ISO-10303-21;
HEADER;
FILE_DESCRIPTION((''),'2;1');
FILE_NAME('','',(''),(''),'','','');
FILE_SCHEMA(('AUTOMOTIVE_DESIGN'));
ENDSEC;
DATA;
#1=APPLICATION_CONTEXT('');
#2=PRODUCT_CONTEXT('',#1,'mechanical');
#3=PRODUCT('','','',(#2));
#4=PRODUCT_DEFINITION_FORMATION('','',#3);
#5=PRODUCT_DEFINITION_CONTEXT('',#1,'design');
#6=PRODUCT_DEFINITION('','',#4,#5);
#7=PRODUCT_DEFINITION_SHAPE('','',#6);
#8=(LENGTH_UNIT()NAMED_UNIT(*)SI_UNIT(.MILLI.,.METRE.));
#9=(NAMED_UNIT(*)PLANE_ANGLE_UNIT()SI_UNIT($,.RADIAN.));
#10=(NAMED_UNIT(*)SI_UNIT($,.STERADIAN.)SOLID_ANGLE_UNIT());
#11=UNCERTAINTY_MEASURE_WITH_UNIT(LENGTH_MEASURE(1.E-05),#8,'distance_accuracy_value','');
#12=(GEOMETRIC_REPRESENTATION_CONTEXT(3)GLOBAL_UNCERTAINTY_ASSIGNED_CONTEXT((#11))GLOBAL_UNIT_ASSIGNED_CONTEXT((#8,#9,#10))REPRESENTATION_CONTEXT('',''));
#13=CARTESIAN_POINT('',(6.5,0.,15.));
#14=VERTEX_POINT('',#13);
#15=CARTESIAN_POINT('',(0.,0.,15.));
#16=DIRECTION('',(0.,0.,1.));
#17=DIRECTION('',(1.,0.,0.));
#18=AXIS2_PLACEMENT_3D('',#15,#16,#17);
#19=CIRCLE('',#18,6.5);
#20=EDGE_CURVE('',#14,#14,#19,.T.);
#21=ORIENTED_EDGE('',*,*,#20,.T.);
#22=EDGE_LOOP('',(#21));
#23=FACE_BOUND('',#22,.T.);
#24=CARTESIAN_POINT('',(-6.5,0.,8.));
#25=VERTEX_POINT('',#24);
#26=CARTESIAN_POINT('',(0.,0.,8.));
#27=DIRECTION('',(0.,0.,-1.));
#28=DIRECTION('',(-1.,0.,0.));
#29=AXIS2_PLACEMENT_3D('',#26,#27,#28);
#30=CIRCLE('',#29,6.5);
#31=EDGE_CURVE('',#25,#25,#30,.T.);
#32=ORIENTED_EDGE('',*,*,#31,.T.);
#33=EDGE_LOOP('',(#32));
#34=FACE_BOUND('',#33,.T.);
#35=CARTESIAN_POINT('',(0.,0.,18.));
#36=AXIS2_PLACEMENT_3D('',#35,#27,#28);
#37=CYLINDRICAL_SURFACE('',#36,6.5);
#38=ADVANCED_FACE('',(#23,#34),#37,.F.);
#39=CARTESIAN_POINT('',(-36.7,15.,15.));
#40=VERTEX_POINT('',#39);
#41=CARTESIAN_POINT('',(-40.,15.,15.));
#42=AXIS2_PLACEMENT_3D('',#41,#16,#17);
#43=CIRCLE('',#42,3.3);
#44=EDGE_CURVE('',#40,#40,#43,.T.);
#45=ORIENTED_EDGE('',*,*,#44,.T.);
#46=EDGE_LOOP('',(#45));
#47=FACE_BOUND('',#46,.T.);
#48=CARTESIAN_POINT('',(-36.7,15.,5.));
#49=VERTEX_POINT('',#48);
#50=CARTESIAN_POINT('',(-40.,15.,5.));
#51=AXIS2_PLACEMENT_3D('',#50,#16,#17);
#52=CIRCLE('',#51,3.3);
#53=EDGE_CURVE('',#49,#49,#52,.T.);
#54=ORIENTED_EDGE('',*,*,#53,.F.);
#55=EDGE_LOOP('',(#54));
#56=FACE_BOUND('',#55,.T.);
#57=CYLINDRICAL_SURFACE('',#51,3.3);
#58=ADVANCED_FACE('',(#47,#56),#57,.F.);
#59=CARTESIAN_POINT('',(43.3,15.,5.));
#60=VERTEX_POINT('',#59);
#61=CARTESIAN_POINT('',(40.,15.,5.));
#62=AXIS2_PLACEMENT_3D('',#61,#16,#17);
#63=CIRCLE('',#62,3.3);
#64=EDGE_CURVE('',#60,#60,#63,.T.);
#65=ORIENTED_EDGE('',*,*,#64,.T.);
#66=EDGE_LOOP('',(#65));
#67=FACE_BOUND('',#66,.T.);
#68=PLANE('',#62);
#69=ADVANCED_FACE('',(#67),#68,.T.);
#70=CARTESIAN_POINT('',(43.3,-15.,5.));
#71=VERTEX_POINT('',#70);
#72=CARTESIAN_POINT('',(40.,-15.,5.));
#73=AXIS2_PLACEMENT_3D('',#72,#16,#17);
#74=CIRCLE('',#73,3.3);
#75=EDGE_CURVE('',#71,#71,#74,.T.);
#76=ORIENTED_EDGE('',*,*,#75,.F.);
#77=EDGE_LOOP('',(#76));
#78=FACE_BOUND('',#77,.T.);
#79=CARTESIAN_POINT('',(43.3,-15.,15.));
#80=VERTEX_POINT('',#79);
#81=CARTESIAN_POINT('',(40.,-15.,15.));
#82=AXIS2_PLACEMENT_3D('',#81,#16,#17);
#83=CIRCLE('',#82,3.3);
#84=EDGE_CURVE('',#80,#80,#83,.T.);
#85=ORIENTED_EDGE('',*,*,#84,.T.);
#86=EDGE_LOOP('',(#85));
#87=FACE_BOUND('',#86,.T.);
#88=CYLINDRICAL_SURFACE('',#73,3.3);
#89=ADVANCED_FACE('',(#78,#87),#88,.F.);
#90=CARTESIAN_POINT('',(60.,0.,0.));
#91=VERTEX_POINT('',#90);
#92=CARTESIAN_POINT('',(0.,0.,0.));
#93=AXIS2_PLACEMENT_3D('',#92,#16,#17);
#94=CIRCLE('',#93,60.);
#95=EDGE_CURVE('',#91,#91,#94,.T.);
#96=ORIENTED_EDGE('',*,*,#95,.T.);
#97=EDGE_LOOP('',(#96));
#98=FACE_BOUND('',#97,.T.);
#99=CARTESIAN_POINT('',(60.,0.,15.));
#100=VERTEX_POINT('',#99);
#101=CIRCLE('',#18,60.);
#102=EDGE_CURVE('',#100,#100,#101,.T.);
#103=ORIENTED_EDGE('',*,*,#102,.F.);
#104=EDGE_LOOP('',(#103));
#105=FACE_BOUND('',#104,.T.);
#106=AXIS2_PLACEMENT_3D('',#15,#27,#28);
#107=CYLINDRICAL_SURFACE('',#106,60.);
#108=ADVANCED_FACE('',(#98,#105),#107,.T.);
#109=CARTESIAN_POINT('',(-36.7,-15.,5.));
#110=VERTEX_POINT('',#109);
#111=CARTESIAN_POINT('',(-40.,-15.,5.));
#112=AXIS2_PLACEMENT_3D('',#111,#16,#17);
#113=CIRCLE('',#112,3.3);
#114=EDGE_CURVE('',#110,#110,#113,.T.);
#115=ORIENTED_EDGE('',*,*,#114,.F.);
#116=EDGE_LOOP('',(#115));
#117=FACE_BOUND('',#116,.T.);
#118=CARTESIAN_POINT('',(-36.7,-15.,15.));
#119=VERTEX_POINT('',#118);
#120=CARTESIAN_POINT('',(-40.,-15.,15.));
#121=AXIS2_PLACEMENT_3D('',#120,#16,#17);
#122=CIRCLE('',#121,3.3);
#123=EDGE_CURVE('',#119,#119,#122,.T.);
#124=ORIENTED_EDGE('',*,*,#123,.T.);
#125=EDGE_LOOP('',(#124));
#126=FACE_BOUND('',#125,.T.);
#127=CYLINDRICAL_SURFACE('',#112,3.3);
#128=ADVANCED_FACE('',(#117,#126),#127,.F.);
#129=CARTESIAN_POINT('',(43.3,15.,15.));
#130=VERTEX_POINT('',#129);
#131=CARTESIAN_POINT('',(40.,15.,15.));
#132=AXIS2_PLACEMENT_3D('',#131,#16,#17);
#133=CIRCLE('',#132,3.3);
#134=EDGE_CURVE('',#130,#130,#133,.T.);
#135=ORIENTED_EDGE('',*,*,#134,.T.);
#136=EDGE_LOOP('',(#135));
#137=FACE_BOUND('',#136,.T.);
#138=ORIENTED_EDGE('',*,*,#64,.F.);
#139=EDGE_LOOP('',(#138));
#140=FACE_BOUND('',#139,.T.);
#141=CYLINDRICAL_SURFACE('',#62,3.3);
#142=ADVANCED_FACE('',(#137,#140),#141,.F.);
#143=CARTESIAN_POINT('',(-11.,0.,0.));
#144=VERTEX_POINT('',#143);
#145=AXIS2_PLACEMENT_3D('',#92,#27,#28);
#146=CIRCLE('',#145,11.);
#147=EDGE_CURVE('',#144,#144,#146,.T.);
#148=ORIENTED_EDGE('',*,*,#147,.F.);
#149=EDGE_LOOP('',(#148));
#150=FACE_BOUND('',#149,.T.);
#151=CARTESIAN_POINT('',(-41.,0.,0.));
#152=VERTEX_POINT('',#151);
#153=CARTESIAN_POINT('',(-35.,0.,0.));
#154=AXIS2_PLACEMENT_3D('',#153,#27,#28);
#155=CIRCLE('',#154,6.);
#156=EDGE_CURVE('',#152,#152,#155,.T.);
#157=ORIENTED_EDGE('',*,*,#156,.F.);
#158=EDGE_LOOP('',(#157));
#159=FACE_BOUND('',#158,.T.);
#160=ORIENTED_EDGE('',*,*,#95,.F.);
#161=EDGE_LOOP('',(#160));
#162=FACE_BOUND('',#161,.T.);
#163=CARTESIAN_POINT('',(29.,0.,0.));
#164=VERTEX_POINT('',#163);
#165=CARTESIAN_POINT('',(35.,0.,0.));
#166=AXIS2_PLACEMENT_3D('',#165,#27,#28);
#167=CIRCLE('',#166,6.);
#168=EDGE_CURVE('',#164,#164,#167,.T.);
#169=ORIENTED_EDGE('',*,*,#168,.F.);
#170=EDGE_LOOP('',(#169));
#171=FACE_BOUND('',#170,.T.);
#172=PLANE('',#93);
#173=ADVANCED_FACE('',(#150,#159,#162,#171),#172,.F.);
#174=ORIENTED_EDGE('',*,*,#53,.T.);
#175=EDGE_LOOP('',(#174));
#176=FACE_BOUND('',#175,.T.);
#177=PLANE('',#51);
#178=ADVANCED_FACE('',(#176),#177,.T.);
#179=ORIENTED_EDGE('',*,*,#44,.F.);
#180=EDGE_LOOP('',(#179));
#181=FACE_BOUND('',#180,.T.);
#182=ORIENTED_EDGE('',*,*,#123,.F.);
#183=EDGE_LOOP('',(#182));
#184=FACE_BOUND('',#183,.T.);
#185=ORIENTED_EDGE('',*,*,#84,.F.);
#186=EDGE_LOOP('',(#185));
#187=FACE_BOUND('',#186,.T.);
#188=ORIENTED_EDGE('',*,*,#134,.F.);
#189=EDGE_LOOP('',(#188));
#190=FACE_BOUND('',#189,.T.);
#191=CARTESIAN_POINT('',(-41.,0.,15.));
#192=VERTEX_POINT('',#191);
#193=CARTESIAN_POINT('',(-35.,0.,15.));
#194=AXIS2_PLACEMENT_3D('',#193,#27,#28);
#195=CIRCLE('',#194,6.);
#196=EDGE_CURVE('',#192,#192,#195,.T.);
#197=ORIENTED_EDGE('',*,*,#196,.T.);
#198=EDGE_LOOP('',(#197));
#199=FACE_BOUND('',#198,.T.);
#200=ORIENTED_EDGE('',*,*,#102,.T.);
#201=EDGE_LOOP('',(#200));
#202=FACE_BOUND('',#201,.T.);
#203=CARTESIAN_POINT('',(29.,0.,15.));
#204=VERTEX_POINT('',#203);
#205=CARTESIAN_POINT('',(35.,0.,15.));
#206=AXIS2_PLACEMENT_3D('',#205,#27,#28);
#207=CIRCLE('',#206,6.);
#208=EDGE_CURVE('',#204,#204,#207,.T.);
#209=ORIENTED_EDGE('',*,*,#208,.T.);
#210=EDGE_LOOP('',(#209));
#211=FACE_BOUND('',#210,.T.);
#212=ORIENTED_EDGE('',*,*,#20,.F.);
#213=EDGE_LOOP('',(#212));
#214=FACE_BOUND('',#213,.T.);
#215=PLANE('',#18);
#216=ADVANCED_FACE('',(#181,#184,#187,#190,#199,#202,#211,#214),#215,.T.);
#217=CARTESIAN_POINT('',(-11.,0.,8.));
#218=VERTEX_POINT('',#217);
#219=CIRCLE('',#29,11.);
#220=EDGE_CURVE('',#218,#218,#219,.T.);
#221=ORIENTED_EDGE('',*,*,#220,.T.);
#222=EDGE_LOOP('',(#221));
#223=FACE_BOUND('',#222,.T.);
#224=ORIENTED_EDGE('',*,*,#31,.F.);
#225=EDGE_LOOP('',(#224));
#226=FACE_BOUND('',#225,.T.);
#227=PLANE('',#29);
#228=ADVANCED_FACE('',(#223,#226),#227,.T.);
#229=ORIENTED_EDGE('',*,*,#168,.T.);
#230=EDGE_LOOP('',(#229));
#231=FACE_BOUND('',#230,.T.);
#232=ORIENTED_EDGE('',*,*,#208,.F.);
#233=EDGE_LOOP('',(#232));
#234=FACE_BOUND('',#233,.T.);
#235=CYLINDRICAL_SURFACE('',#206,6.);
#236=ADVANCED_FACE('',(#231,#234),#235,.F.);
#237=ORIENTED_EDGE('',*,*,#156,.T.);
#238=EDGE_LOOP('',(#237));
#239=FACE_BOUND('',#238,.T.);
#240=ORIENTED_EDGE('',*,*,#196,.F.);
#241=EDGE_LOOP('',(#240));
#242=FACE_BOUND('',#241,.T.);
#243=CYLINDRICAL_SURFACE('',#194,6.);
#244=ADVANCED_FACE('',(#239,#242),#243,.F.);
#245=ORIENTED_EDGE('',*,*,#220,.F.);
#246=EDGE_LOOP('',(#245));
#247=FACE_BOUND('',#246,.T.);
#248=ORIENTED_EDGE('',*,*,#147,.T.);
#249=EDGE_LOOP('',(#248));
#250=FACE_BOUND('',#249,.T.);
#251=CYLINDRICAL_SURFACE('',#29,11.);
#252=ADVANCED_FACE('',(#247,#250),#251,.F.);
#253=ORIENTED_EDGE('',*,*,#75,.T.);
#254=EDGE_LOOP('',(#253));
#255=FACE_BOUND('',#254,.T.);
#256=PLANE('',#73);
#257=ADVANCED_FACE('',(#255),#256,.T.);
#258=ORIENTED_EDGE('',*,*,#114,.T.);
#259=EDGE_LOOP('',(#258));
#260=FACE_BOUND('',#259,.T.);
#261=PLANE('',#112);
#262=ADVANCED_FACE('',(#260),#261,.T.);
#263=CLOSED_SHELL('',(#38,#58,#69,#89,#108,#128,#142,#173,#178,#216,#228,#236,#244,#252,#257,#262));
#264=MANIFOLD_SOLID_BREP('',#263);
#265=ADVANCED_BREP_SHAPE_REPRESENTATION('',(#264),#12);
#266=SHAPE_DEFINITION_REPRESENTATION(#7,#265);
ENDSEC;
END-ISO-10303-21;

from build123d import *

# Parameters (mm, degrees)
SKETCH_1_R          = 60
EXTRUDE_1_DEPTH     = 15
SKETCH_2_R          = 6
CUT_EXTRUDE_1_DEPTH = 87.168439698
SKETCH_3_R          = 11
CUT_EXTRUDE_2_DEPTH = 8
SKETCH_4_R          = 6.5
CUT_EXTRUDE_3_DEPTH = 10
SKETCH_5_R          = 3.3
CUT_EXTRUDE_4_DEPTH = 10


with BuildPart() as part:
    # 草图1 → 凸台-拉伸1 (new body)
    with BuildSketch(Plane.XY):
        Circle(SKETCH_1_R)
    extrude(amount=EXTRUDE_1_DEPTH)

    # 草图2 → 切除-拉伸1 (cut, through all)
    with BuildSketch(Plane(origin=(0, 0, 0), x_dir=(-1, 0, 0), z_dir=(0, 0, -1))):
        with Locations((-35, 0)):
            Circle(SKETCH_2_R)
        with Locations((35, 0)):
            Circle(SKETCH_2_R)
    extrude(amount=-CUT_EXTRUDE_1_DEPTH, mode=Mode.SUBTRACT)

    # 草图3 → 切除-拉伸2 (cut)
    with BuildSketch(Plane(origin=(0, 0, 0), x_dir=(-1, 0, 0), z_dir=(0, 0, -1))):
        Circle(SKETCH_3_R)
    extrude(amount=-CUT_EXTRUDE_2_DEPTH, mode=Mode.SUBTRACT)

    # 草图4 → 切除-拉伸3 (cut)
    with BuildSketch(Plane(origin=(0, 0, 8), x_dir=(-1, 0, 0), z_dir=(0, 0, -1))):
        Circle(SKETCH_4_R)
    extrude(amount=-CUT_EXTRUDE_3_DEPTH, mode=Mode.SUBTRACT)

    # 草图5 → 切除-拉伸4 (cut)
    with BuildSketch(Plane.XY.offset(15)):
        with Locations((40, 15)):
            Circle(SKETCH_5_R)
        with Locations((40, -15)):
            Circle(SKETCH_5_R)
        with Locations((-40, -15)):
            Circle(SKETCH_5_R)
        with Locations((-40, 15)):
            Circle(SKETCH_5_R)
    extrude(amount=-CUT_EXTRUDE_4_DEPTH, mode=Mode.SUBTRACT)


solid = part.part
